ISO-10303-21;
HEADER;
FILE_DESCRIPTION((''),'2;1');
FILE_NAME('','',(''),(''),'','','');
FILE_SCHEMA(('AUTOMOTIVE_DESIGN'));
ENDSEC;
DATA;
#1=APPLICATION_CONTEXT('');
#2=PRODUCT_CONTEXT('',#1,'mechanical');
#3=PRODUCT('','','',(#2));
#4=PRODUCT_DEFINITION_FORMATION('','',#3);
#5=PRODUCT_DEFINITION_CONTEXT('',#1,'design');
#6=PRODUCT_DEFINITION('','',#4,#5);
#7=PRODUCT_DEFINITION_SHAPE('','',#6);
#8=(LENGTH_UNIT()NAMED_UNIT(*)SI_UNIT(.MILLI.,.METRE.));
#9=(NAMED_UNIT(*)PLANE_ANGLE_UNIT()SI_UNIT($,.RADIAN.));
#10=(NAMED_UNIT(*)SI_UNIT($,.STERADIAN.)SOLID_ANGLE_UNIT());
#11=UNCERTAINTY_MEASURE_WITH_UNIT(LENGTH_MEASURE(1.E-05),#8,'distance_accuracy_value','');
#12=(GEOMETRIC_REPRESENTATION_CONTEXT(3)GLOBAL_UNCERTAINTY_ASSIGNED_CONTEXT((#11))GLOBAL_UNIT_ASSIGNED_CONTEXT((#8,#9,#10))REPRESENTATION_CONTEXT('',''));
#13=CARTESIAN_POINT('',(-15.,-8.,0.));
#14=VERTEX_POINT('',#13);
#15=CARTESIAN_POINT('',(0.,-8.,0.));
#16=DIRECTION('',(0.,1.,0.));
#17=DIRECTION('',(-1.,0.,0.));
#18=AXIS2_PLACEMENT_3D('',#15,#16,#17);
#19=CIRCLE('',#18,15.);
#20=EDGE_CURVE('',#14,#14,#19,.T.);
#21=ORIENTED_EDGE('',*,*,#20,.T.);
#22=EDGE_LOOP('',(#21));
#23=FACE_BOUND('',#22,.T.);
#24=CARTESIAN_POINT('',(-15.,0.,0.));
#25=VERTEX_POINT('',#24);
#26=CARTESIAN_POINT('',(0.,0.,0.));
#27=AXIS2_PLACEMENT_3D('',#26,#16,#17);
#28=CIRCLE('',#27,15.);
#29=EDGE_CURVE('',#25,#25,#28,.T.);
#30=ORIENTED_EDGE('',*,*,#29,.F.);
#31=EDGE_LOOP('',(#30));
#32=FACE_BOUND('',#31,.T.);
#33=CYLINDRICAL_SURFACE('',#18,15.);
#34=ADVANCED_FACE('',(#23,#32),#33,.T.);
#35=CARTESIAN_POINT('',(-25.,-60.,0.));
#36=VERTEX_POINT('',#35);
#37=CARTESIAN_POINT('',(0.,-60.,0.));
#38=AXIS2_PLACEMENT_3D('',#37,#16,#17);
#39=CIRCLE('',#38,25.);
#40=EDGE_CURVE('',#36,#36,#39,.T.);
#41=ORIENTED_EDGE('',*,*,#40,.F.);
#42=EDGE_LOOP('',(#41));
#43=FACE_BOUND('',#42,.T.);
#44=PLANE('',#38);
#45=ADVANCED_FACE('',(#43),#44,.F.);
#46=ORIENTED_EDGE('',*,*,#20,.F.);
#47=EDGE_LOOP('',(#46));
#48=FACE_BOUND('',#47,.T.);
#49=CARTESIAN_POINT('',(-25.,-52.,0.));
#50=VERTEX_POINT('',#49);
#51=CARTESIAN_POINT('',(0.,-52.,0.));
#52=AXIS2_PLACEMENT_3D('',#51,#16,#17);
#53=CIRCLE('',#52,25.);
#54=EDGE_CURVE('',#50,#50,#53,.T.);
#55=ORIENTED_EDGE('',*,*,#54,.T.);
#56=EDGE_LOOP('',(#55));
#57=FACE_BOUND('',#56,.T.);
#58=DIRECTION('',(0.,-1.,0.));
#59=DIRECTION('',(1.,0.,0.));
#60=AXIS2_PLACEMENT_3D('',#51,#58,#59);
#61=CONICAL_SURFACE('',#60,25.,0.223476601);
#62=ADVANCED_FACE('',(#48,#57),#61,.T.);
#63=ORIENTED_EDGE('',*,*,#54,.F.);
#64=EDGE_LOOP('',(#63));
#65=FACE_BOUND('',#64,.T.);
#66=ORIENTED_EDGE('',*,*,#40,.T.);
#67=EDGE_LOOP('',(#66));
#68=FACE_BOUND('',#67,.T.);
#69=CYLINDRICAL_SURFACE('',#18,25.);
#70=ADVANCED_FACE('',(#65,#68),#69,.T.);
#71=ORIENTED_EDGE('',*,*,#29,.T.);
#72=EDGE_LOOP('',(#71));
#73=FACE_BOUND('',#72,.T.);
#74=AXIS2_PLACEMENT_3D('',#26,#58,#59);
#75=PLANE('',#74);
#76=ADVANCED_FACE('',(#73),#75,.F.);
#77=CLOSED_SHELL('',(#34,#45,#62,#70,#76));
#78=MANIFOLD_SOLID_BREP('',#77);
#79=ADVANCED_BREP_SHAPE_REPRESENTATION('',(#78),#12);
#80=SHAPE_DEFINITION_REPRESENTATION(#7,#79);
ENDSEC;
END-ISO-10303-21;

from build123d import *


with BuildPart() as part:
    # 草图1 → 旋转1 (revolve)
    with BuildSketch(Plane.XY, mode=Mode.PRIVATE) as revolve_1_sk:
        Polygon((0, -8), (0, -52), (0, -60), (25, -60), (25, -52), (15, -8), (15, 0), (0, 0), align=None)
    revolve(revolve_1_sk.sketch.rotate(Axis((0, -8, 0), (0, -1, 0)), 180), axis=Axis((0, -8, 0), (0, -1, 0)))


solid = part.part
